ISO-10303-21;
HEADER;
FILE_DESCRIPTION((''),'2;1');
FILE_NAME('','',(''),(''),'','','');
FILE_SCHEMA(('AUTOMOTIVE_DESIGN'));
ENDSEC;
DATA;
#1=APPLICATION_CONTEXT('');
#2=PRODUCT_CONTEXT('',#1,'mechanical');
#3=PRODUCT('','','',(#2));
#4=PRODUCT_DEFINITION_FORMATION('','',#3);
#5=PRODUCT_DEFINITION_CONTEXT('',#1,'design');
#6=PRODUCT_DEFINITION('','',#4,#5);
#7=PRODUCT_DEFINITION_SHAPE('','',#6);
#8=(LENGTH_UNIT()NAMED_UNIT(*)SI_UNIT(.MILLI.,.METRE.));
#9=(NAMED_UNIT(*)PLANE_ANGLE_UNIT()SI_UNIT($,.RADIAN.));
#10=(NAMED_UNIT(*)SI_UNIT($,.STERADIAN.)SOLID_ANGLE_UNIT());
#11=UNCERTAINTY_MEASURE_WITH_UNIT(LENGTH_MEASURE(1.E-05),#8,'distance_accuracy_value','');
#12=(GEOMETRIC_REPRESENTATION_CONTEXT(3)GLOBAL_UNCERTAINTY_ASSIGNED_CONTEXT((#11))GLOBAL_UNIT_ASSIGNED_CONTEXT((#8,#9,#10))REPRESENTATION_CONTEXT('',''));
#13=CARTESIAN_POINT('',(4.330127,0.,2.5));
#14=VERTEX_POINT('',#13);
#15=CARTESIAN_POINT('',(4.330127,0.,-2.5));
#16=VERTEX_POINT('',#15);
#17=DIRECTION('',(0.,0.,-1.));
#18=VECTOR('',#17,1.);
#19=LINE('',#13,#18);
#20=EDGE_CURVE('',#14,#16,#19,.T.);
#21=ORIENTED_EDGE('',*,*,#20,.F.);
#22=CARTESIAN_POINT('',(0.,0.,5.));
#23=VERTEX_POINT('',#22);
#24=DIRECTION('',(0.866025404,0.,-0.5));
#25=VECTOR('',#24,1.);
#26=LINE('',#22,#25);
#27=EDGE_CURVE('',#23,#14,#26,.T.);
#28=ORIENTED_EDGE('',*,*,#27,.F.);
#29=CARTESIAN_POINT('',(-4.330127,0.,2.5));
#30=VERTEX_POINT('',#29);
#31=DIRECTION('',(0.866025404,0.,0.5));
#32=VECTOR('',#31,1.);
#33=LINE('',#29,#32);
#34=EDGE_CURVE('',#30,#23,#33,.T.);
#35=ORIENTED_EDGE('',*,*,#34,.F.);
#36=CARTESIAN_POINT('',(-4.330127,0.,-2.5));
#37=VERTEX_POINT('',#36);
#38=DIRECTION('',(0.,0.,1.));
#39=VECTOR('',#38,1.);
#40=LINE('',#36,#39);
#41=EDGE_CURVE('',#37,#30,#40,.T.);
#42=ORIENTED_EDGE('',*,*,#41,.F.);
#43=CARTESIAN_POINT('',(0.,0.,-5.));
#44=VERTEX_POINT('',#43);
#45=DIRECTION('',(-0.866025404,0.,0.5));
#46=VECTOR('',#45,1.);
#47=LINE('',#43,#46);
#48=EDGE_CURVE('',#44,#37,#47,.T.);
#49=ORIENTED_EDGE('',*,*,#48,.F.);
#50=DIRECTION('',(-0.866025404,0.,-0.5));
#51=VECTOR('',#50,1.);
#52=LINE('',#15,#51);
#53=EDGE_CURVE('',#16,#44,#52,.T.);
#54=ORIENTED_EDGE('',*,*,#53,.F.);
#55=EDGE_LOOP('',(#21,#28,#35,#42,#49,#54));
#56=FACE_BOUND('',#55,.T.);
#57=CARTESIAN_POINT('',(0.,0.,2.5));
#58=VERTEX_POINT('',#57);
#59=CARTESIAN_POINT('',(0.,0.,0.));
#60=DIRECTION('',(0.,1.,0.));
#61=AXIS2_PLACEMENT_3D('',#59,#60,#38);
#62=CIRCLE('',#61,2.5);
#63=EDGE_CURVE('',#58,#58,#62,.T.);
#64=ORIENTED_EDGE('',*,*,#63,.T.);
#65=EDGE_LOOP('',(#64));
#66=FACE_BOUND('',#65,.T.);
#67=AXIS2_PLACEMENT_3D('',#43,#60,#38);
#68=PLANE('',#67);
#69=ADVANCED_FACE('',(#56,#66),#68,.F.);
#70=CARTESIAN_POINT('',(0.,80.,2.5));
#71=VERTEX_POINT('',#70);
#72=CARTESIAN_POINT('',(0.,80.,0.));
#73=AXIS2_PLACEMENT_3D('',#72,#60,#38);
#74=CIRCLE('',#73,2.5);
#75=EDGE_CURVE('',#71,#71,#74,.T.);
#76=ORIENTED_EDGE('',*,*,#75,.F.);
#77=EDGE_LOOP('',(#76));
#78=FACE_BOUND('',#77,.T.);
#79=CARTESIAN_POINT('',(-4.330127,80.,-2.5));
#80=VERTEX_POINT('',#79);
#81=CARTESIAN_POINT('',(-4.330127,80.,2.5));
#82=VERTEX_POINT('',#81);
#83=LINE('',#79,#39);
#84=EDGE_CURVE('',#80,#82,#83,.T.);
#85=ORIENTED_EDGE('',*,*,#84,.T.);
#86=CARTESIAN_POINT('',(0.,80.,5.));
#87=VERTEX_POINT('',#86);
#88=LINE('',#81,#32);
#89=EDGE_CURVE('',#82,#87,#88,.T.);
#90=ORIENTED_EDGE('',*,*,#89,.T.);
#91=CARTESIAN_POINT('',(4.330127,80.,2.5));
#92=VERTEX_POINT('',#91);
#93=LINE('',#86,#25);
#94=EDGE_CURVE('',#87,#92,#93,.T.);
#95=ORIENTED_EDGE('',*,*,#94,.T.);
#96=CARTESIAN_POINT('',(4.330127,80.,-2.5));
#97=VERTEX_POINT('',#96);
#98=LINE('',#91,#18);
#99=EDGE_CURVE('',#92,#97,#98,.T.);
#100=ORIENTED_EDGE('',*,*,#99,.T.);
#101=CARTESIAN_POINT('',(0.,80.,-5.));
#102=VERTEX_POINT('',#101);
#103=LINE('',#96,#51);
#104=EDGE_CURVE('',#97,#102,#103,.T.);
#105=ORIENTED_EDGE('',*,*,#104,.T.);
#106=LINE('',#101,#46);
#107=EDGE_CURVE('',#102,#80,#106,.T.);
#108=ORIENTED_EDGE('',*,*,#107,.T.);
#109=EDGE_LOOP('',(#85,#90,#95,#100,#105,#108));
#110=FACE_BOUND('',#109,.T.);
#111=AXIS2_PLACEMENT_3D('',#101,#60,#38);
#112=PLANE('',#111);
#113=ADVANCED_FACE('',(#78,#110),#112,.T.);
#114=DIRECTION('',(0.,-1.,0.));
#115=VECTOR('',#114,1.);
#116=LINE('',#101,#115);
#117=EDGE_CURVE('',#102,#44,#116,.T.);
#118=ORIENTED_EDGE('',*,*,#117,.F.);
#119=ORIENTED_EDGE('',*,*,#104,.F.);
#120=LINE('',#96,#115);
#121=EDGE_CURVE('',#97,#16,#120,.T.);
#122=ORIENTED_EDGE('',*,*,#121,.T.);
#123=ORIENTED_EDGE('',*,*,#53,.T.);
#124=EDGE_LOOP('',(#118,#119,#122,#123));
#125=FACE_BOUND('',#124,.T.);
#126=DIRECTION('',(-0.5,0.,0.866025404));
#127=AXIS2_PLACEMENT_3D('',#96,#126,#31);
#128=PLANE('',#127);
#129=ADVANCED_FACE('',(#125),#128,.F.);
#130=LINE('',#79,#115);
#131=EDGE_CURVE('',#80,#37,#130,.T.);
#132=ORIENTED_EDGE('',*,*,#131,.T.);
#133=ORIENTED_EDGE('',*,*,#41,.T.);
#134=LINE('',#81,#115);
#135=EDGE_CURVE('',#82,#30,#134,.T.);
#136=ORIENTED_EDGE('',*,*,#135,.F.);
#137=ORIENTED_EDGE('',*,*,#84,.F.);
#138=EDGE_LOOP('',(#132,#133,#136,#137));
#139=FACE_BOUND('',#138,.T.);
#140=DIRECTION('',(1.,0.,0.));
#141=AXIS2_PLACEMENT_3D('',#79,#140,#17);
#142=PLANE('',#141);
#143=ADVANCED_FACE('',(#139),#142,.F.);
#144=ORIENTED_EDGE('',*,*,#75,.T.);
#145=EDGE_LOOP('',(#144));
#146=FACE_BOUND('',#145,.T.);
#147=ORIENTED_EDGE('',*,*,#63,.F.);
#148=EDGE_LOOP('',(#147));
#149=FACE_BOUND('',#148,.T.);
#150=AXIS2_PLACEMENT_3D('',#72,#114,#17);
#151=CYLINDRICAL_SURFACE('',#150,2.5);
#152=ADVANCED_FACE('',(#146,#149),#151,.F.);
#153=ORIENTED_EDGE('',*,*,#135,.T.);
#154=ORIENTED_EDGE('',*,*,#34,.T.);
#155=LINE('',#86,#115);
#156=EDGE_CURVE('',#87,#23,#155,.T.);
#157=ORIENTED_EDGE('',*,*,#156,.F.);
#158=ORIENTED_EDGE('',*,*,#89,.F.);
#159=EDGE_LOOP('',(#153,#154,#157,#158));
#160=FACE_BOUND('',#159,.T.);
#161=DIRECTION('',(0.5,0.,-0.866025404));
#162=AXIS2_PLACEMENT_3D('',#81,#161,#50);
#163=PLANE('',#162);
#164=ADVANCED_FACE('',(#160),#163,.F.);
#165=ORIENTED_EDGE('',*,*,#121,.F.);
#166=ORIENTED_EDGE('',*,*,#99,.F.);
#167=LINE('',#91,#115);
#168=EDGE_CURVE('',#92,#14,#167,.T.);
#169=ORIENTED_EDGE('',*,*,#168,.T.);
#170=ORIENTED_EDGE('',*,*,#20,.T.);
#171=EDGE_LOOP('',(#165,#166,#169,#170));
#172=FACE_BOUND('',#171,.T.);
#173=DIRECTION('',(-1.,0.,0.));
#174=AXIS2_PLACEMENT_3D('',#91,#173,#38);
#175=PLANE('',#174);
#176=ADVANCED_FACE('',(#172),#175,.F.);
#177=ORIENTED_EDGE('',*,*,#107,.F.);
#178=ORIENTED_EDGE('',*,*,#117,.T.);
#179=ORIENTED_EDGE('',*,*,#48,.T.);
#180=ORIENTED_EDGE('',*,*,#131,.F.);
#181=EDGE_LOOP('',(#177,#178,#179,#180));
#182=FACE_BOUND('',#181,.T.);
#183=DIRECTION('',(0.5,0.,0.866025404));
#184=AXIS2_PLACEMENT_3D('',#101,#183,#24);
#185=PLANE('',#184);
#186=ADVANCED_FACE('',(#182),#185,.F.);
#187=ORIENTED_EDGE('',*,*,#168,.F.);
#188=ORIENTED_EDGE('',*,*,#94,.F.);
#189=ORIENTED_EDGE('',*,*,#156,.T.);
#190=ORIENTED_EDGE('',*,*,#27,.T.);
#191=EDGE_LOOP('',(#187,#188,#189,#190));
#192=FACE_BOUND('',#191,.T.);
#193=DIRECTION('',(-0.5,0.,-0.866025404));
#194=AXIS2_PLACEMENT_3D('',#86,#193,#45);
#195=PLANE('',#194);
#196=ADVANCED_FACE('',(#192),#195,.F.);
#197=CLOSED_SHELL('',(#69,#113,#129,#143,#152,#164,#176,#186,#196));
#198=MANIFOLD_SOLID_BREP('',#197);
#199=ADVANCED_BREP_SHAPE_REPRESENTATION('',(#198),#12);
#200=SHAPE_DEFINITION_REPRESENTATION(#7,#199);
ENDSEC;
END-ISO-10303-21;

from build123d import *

# Parameters (mm, degrees)
ESQUISSE1_R      = 2.5
EXTRUSION1_DEPTH = 80


with BuildPart() as part:
    # Esquisse1 → Extrusion1 (new body)
    with BuildSketch(Plane(origin=(0, 0, 0), x_dir=(1, 0, 0), z_dir=(0, 1, 0))):
        Polygon((0, 5), (-4.330127019, 2.5), (-4.330127019, -2.5), (0, -5), (4.330127019, -2.5), (4.330127019, 2.5), align=None)
        Circle(ESQUISSE1_R, mode=Mode.SUBTRACT)
    extrude(amount=EXTRUSION1_DEPTH)


solid = part.part
